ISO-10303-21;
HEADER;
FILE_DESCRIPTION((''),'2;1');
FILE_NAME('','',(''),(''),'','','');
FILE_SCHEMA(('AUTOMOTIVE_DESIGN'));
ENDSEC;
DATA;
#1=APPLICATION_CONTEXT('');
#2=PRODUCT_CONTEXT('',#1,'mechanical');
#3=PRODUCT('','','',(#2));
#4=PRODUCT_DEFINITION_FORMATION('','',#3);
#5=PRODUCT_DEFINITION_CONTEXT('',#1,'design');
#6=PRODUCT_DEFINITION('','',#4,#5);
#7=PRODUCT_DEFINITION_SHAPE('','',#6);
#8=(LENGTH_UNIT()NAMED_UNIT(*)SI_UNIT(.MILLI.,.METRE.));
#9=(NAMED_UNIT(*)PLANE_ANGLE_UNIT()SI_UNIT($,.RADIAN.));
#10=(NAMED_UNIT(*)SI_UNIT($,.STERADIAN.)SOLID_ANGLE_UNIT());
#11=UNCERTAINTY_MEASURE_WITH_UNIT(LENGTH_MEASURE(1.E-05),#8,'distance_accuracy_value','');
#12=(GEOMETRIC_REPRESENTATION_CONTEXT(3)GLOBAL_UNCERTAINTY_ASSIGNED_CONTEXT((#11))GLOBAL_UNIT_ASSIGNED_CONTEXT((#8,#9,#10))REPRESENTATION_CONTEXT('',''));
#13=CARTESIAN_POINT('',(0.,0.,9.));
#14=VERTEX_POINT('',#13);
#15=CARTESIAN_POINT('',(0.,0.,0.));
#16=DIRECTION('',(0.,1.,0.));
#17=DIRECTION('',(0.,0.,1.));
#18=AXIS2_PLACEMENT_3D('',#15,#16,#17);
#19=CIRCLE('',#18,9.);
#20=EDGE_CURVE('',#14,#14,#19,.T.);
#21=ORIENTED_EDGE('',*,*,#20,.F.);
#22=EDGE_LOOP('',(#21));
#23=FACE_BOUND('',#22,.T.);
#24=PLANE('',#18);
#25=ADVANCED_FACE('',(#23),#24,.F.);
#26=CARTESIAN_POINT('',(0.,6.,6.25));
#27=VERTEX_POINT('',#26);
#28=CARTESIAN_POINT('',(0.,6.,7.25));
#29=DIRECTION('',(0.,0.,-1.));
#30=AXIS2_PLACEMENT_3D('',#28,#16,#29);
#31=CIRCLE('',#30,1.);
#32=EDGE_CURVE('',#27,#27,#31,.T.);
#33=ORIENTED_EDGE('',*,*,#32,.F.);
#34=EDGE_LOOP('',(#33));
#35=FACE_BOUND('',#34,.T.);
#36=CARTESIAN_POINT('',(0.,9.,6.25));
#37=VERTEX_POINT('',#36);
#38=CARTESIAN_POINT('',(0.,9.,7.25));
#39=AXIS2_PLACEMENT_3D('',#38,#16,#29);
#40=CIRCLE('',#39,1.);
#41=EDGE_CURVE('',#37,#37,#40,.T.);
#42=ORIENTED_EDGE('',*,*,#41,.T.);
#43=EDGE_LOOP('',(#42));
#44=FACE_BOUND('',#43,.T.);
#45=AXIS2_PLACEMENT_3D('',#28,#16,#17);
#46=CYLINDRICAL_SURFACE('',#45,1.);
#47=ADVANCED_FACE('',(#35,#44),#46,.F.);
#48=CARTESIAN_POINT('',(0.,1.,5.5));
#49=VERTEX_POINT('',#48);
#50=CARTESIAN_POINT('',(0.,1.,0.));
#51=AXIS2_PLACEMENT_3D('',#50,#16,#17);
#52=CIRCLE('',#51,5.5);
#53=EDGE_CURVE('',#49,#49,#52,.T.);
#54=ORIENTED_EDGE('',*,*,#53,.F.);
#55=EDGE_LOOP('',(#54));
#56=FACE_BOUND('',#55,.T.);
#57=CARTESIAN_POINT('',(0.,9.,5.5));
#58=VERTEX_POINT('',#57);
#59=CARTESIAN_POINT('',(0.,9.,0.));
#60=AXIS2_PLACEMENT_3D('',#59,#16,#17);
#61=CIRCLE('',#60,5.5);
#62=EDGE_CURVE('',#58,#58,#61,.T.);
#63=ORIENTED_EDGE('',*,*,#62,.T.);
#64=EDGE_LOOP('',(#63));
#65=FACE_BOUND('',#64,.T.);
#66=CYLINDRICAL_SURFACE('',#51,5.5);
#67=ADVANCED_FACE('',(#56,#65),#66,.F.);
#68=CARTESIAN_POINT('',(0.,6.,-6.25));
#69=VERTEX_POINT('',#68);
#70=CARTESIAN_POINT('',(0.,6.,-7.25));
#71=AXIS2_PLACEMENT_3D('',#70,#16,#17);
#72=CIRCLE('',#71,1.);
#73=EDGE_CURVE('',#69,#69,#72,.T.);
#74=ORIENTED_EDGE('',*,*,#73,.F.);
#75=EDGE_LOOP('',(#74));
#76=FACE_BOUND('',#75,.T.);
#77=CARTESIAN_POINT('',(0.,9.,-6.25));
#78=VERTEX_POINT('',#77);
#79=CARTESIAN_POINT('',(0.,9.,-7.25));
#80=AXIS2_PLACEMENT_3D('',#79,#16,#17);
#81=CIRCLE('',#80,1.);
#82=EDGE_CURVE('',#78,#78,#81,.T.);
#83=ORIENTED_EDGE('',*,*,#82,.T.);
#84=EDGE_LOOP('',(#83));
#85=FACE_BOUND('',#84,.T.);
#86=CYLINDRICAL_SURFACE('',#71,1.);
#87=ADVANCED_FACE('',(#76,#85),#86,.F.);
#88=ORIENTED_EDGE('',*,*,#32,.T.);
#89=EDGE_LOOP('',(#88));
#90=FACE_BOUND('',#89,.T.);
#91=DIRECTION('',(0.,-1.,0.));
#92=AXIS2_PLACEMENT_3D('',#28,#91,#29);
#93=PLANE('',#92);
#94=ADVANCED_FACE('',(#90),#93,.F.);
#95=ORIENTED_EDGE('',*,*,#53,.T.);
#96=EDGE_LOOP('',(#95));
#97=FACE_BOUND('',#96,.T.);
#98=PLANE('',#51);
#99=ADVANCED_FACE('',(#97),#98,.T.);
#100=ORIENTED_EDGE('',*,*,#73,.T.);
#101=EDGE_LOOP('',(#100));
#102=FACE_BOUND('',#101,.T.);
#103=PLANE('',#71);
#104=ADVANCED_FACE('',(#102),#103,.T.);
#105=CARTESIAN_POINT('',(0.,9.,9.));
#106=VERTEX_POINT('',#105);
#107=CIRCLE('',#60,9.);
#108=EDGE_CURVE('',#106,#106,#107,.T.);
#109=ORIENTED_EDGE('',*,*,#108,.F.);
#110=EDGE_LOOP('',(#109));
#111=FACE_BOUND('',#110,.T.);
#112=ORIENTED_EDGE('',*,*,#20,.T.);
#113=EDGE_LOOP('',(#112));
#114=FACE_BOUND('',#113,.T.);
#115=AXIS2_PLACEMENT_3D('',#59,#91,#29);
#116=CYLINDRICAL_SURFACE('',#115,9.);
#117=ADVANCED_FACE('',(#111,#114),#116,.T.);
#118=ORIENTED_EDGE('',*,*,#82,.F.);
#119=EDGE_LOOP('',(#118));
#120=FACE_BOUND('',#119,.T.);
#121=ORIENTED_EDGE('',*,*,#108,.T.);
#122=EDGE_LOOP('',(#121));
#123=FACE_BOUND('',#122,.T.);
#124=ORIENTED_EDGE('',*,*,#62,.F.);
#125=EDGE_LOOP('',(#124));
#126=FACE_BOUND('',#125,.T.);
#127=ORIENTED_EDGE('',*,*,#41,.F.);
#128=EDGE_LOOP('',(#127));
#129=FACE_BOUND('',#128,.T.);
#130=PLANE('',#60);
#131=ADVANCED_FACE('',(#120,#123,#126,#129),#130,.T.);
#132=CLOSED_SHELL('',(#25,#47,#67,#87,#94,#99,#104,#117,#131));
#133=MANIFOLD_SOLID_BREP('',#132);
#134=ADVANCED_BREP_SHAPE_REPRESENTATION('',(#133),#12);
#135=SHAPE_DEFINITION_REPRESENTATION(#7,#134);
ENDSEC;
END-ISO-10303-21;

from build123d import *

# Parameters (mm, degrees)
SKETCH1_R           = 9
BOSS_EXTRUDE1_DEPTH = 9
SKETCH2_R           = 5.5
CUT_EXTRUDE1_DEPTH  = 8
SKETCH3_R           = 1
CUT_EXTRUDE2_DEPTH  = 3


with BuildPart() as part:
    # Sketch1 → Boss-Extrude1 (new body)
    with BuildSketch(Plane(origin=(0, 0, 0), x_dir=(1, 0, 0), z_dir=(0, 1, 0))):
        Circle(SKETCH1_R)
    extrude(amount=BOSS_EXTRUDE1_DEPTH)

    # Sketch2 → Cut-Extrude1 (cut)
    with BuildSketch(Plane(origin=(0, 9, 0), x_dir=(1, 0, 0), z_dir=(0, 1, 0))):
        Circle(SKETCH2_R)
    extrude(amount=-CUT_EXTRUDE1_DEPTH, mode=Mode.SUBTRACT)

    # Sketch3 → Cut-Extrude2 (cut)
    with BuildSketch(Plane(origin=(0, 9, 0), x_dir=(1, 0, 0), z_dir=(0, 1, 0))):
        with Locations((0, 7.25)):
            Circle(SKETCH3_R)
        with Locations((0, -7.25)):
            Circle(SKETCH3_R)
    extrude(amount=-CUT_EXTRUDE2_DEPTH, mode=Mode.SUBTRACT)


solid = part.part
